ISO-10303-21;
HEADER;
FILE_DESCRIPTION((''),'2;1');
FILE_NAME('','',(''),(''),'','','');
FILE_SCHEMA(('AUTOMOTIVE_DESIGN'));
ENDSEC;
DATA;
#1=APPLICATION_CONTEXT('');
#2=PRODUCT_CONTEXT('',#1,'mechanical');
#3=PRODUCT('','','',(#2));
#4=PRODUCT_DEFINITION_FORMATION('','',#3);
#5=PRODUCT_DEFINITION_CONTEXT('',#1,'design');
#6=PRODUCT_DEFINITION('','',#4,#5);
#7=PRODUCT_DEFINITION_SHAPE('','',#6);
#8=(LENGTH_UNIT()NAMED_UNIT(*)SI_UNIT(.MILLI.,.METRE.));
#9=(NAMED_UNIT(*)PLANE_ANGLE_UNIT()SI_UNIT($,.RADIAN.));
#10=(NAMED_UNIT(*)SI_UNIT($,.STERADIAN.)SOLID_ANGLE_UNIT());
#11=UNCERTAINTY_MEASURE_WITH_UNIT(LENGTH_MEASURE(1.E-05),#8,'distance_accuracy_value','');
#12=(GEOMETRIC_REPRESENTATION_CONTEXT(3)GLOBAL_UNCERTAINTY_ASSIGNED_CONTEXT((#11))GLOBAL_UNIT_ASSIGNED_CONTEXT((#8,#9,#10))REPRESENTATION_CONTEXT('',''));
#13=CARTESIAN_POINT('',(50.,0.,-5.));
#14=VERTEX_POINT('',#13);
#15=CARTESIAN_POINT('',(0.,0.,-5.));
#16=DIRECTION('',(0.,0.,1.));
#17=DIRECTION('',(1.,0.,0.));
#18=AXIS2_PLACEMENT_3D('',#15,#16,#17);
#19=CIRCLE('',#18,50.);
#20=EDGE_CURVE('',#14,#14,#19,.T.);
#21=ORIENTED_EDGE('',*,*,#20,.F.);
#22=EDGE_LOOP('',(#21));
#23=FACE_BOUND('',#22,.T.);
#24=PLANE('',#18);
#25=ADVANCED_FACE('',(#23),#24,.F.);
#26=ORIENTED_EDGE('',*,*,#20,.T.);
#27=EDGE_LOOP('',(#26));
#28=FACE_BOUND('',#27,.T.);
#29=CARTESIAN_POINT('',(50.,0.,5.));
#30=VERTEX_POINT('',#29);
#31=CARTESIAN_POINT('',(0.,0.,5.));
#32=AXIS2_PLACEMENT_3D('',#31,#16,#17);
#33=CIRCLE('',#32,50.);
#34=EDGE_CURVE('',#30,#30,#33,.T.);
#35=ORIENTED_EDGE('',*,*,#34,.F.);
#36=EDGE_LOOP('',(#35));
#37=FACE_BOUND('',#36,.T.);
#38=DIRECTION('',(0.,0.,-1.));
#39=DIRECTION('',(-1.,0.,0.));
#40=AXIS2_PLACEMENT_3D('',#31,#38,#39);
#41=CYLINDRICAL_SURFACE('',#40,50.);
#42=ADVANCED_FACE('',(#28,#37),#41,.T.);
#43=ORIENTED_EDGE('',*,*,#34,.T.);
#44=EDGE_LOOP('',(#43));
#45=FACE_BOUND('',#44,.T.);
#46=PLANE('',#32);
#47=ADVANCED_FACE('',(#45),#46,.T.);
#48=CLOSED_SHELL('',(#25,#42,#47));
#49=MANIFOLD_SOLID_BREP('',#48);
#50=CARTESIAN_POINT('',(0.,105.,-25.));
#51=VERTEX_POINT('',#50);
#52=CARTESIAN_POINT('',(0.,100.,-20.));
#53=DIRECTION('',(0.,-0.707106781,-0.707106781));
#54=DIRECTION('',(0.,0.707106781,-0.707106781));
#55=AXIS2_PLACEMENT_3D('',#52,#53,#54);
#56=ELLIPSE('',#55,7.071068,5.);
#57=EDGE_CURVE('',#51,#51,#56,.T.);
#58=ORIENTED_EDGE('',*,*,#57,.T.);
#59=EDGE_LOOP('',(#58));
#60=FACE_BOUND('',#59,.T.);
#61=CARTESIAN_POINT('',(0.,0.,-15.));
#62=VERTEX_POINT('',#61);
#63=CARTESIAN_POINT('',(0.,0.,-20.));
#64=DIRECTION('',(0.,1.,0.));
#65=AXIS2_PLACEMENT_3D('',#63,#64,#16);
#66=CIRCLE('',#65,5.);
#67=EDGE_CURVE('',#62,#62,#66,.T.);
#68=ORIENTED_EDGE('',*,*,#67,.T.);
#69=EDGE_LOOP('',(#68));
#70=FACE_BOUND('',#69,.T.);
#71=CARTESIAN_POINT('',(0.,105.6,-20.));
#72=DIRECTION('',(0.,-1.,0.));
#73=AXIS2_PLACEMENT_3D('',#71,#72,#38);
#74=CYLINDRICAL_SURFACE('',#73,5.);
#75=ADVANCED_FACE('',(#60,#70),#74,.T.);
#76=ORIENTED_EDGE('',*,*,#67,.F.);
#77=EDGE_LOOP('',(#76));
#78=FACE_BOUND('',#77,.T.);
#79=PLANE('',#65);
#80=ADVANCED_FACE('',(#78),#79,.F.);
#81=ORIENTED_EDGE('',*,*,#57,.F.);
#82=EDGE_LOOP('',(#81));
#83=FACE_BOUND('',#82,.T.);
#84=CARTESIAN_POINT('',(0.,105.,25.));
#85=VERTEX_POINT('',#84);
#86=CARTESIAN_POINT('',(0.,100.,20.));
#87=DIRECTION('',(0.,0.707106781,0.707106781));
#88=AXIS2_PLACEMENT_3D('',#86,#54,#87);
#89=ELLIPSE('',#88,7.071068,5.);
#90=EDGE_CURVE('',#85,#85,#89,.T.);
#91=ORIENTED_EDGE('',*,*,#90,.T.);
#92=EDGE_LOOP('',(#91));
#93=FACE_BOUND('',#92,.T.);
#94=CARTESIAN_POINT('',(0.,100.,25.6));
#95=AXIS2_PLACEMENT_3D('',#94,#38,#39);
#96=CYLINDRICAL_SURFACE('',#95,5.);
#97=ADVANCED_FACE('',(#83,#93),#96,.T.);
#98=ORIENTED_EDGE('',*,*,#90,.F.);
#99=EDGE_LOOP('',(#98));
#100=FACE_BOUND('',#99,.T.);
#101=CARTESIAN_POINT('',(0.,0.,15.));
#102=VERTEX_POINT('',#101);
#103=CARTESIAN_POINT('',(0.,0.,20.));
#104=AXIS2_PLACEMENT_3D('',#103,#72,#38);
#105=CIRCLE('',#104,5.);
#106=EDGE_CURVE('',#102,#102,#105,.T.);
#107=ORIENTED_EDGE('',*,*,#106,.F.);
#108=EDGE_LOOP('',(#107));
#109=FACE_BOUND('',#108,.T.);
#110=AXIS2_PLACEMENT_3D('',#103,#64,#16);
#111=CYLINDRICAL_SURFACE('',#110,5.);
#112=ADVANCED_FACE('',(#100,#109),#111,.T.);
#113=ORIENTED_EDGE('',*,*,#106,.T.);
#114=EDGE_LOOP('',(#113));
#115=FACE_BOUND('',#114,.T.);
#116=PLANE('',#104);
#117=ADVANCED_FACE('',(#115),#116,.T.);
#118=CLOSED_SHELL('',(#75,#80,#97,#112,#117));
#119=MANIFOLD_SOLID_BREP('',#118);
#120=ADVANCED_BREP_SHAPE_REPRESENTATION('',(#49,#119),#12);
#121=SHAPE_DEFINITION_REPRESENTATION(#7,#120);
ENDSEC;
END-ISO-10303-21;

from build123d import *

# Parameters (mm, degrees)
SKETCH1_R           = 50
BOSS_EXTRUDE1_DEPTH = 5
SWEEP1_PROFILE_R    = 5


with BuildPart() as part:
    # Sketch1 → Boss-Extrude1 (new, symmetric)
    with BuildSketch(Plane.XY):
        Circle(SKETCH1_R)
    extrude(amount=BOSS_EXTRUDE1_DEPTH, both=True)


with BuildPart() as body_2:
    # Sweep1: sweep along a path in Sketch5
    with BuildLine(Plane(origin=(0, 0, 0), x_dir=(0, 0, -1), z_dir=(1, 0, 0))) as sweep1_path:
        Line((-20, 0), (-20, 100))
        Line((-20, 100), (20, 100))
        Line((20, 100), (20, 0))
    # Sweep1 profile (on start of the path) → Sweep1 (sweep)
    with BuildSketch(Plane(origin=(0, 0, 20), x_dir=(0, 0, 1), z_dir=(0, 1, 0))):
        Circle(SWEEP1_PROFILE_R)
    sweep(path=sweep1_path.line, transition=Transition.RIGHT)


solid = Compound([part.part, body_2.part])
